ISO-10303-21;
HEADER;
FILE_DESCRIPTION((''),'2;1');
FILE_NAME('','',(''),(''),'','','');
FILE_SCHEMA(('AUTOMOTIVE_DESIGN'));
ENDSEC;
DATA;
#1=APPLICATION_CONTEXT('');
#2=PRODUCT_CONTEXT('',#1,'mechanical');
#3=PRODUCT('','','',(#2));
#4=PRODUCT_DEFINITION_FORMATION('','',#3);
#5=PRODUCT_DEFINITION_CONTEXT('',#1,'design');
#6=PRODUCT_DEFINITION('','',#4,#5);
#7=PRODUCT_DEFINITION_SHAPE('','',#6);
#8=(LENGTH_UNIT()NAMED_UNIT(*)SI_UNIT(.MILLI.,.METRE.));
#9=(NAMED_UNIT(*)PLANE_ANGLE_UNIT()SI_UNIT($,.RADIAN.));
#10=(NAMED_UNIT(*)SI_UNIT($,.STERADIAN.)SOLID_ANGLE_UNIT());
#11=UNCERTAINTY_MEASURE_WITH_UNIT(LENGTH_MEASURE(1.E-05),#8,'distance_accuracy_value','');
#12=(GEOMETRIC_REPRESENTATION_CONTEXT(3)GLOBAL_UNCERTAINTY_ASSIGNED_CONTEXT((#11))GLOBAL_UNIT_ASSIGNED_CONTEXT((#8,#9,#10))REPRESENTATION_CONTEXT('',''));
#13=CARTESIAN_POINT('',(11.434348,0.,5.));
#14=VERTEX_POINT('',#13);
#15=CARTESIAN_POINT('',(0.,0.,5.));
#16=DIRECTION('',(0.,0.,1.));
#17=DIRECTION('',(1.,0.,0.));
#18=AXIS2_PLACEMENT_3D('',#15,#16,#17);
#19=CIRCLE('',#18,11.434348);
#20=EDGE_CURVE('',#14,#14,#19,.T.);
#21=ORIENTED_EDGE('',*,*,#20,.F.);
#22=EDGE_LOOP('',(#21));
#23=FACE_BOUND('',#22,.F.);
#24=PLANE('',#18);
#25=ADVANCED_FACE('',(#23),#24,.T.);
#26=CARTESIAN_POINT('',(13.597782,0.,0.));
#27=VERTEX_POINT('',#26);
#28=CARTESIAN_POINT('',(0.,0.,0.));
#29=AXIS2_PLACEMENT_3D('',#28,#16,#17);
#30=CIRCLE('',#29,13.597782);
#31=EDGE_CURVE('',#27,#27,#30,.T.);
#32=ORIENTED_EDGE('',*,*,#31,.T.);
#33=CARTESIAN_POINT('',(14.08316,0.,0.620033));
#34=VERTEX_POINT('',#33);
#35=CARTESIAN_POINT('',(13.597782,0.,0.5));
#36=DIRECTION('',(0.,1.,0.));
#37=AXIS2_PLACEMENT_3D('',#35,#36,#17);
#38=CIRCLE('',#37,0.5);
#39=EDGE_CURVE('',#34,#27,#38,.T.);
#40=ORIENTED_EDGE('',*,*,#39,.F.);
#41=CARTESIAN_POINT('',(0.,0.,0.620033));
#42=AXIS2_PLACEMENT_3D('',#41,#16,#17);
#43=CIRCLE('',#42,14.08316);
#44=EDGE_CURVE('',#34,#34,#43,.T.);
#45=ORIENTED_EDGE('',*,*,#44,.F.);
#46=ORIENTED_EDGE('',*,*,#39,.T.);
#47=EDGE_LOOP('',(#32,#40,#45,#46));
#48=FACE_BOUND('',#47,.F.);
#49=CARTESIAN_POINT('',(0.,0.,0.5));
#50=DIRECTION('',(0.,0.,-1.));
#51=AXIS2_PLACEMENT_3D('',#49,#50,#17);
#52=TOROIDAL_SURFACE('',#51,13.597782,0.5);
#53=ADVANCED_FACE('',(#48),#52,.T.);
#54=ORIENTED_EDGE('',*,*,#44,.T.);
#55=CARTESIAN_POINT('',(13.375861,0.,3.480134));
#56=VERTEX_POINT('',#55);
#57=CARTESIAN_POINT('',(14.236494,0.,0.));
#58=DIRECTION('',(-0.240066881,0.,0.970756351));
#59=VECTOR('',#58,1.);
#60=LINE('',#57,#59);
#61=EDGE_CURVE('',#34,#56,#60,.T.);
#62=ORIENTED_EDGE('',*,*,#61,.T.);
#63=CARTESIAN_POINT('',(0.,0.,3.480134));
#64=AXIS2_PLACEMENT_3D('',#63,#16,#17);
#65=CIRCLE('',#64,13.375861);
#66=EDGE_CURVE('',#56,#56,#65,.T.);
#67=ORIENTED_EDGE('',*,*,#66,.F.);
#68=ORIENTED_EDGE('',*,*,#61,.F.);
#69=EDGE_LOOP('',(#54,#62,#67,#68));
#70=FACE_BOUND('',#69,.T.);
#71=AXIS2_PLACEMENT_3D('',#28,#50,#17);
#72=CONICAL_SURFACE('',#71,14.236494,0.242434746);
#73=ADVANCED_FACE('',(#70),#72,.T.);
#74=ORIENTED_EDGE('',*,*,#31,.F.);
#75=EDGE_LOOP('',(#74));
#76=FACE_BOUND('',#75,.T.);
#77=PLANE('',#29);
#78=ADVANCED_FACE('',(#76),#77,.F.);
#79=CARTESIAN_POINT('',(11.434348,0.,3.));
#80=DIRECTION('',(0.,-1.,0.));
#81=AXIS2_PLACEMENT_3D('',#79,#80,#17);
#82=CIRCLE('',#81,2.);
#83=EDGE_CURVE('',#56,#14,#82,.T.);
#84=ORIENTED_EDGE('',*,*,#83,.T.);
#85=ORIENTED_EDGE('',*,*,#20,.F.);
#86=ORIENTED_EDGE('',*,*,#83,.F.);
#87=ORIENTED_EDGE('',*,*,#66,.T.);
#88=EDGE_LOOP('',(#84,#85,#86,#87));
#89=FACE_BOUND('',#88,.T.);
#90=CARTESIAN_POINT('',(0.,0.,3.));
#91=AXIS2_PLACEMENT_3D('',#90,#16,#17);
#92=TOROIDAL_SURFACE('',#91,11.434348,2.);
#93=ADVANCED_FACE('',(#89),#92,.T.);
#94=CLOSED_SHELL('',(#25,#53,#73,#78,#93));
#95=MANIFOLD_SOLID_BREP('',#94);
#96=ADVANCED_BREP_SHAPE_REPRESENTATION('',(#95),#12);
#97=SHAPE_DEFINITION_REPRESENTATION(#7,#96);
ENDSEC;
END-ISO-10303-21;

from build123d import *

# Parameters (mm, degrees)
F0_W = 13
F0_H = 5
F2_R = 2
F3_R = 0.5


with BuildPart() as f1:
    # F0 (on Front) → F1 (revolve)
    with BuildSketch(Plane.XZ):
        with Locations((6.5, 2.5)):
            Rectangle(F0_W, F0_H)
        Polygon((13, 5), (13, 0), (14.236494, 0), align=None)
    revolve(axis=Axis((0, 0, 2.5), (0, 0, 1)))

    # F2
    f2_edges = [f1.edges().sort_by_distance(p)[0] for p in [
        (-13, 0, 5),
    ]]
    fillet(f2_edges, radius=F2_R)

    # F3
    f3_edges = [f1.edges().sort_by_distance(p)[0] for p in [
        (-14.236494, 0, 0),
    ]]
    fillet(f3_edges, radius=F3_R)


solid = f1.part
